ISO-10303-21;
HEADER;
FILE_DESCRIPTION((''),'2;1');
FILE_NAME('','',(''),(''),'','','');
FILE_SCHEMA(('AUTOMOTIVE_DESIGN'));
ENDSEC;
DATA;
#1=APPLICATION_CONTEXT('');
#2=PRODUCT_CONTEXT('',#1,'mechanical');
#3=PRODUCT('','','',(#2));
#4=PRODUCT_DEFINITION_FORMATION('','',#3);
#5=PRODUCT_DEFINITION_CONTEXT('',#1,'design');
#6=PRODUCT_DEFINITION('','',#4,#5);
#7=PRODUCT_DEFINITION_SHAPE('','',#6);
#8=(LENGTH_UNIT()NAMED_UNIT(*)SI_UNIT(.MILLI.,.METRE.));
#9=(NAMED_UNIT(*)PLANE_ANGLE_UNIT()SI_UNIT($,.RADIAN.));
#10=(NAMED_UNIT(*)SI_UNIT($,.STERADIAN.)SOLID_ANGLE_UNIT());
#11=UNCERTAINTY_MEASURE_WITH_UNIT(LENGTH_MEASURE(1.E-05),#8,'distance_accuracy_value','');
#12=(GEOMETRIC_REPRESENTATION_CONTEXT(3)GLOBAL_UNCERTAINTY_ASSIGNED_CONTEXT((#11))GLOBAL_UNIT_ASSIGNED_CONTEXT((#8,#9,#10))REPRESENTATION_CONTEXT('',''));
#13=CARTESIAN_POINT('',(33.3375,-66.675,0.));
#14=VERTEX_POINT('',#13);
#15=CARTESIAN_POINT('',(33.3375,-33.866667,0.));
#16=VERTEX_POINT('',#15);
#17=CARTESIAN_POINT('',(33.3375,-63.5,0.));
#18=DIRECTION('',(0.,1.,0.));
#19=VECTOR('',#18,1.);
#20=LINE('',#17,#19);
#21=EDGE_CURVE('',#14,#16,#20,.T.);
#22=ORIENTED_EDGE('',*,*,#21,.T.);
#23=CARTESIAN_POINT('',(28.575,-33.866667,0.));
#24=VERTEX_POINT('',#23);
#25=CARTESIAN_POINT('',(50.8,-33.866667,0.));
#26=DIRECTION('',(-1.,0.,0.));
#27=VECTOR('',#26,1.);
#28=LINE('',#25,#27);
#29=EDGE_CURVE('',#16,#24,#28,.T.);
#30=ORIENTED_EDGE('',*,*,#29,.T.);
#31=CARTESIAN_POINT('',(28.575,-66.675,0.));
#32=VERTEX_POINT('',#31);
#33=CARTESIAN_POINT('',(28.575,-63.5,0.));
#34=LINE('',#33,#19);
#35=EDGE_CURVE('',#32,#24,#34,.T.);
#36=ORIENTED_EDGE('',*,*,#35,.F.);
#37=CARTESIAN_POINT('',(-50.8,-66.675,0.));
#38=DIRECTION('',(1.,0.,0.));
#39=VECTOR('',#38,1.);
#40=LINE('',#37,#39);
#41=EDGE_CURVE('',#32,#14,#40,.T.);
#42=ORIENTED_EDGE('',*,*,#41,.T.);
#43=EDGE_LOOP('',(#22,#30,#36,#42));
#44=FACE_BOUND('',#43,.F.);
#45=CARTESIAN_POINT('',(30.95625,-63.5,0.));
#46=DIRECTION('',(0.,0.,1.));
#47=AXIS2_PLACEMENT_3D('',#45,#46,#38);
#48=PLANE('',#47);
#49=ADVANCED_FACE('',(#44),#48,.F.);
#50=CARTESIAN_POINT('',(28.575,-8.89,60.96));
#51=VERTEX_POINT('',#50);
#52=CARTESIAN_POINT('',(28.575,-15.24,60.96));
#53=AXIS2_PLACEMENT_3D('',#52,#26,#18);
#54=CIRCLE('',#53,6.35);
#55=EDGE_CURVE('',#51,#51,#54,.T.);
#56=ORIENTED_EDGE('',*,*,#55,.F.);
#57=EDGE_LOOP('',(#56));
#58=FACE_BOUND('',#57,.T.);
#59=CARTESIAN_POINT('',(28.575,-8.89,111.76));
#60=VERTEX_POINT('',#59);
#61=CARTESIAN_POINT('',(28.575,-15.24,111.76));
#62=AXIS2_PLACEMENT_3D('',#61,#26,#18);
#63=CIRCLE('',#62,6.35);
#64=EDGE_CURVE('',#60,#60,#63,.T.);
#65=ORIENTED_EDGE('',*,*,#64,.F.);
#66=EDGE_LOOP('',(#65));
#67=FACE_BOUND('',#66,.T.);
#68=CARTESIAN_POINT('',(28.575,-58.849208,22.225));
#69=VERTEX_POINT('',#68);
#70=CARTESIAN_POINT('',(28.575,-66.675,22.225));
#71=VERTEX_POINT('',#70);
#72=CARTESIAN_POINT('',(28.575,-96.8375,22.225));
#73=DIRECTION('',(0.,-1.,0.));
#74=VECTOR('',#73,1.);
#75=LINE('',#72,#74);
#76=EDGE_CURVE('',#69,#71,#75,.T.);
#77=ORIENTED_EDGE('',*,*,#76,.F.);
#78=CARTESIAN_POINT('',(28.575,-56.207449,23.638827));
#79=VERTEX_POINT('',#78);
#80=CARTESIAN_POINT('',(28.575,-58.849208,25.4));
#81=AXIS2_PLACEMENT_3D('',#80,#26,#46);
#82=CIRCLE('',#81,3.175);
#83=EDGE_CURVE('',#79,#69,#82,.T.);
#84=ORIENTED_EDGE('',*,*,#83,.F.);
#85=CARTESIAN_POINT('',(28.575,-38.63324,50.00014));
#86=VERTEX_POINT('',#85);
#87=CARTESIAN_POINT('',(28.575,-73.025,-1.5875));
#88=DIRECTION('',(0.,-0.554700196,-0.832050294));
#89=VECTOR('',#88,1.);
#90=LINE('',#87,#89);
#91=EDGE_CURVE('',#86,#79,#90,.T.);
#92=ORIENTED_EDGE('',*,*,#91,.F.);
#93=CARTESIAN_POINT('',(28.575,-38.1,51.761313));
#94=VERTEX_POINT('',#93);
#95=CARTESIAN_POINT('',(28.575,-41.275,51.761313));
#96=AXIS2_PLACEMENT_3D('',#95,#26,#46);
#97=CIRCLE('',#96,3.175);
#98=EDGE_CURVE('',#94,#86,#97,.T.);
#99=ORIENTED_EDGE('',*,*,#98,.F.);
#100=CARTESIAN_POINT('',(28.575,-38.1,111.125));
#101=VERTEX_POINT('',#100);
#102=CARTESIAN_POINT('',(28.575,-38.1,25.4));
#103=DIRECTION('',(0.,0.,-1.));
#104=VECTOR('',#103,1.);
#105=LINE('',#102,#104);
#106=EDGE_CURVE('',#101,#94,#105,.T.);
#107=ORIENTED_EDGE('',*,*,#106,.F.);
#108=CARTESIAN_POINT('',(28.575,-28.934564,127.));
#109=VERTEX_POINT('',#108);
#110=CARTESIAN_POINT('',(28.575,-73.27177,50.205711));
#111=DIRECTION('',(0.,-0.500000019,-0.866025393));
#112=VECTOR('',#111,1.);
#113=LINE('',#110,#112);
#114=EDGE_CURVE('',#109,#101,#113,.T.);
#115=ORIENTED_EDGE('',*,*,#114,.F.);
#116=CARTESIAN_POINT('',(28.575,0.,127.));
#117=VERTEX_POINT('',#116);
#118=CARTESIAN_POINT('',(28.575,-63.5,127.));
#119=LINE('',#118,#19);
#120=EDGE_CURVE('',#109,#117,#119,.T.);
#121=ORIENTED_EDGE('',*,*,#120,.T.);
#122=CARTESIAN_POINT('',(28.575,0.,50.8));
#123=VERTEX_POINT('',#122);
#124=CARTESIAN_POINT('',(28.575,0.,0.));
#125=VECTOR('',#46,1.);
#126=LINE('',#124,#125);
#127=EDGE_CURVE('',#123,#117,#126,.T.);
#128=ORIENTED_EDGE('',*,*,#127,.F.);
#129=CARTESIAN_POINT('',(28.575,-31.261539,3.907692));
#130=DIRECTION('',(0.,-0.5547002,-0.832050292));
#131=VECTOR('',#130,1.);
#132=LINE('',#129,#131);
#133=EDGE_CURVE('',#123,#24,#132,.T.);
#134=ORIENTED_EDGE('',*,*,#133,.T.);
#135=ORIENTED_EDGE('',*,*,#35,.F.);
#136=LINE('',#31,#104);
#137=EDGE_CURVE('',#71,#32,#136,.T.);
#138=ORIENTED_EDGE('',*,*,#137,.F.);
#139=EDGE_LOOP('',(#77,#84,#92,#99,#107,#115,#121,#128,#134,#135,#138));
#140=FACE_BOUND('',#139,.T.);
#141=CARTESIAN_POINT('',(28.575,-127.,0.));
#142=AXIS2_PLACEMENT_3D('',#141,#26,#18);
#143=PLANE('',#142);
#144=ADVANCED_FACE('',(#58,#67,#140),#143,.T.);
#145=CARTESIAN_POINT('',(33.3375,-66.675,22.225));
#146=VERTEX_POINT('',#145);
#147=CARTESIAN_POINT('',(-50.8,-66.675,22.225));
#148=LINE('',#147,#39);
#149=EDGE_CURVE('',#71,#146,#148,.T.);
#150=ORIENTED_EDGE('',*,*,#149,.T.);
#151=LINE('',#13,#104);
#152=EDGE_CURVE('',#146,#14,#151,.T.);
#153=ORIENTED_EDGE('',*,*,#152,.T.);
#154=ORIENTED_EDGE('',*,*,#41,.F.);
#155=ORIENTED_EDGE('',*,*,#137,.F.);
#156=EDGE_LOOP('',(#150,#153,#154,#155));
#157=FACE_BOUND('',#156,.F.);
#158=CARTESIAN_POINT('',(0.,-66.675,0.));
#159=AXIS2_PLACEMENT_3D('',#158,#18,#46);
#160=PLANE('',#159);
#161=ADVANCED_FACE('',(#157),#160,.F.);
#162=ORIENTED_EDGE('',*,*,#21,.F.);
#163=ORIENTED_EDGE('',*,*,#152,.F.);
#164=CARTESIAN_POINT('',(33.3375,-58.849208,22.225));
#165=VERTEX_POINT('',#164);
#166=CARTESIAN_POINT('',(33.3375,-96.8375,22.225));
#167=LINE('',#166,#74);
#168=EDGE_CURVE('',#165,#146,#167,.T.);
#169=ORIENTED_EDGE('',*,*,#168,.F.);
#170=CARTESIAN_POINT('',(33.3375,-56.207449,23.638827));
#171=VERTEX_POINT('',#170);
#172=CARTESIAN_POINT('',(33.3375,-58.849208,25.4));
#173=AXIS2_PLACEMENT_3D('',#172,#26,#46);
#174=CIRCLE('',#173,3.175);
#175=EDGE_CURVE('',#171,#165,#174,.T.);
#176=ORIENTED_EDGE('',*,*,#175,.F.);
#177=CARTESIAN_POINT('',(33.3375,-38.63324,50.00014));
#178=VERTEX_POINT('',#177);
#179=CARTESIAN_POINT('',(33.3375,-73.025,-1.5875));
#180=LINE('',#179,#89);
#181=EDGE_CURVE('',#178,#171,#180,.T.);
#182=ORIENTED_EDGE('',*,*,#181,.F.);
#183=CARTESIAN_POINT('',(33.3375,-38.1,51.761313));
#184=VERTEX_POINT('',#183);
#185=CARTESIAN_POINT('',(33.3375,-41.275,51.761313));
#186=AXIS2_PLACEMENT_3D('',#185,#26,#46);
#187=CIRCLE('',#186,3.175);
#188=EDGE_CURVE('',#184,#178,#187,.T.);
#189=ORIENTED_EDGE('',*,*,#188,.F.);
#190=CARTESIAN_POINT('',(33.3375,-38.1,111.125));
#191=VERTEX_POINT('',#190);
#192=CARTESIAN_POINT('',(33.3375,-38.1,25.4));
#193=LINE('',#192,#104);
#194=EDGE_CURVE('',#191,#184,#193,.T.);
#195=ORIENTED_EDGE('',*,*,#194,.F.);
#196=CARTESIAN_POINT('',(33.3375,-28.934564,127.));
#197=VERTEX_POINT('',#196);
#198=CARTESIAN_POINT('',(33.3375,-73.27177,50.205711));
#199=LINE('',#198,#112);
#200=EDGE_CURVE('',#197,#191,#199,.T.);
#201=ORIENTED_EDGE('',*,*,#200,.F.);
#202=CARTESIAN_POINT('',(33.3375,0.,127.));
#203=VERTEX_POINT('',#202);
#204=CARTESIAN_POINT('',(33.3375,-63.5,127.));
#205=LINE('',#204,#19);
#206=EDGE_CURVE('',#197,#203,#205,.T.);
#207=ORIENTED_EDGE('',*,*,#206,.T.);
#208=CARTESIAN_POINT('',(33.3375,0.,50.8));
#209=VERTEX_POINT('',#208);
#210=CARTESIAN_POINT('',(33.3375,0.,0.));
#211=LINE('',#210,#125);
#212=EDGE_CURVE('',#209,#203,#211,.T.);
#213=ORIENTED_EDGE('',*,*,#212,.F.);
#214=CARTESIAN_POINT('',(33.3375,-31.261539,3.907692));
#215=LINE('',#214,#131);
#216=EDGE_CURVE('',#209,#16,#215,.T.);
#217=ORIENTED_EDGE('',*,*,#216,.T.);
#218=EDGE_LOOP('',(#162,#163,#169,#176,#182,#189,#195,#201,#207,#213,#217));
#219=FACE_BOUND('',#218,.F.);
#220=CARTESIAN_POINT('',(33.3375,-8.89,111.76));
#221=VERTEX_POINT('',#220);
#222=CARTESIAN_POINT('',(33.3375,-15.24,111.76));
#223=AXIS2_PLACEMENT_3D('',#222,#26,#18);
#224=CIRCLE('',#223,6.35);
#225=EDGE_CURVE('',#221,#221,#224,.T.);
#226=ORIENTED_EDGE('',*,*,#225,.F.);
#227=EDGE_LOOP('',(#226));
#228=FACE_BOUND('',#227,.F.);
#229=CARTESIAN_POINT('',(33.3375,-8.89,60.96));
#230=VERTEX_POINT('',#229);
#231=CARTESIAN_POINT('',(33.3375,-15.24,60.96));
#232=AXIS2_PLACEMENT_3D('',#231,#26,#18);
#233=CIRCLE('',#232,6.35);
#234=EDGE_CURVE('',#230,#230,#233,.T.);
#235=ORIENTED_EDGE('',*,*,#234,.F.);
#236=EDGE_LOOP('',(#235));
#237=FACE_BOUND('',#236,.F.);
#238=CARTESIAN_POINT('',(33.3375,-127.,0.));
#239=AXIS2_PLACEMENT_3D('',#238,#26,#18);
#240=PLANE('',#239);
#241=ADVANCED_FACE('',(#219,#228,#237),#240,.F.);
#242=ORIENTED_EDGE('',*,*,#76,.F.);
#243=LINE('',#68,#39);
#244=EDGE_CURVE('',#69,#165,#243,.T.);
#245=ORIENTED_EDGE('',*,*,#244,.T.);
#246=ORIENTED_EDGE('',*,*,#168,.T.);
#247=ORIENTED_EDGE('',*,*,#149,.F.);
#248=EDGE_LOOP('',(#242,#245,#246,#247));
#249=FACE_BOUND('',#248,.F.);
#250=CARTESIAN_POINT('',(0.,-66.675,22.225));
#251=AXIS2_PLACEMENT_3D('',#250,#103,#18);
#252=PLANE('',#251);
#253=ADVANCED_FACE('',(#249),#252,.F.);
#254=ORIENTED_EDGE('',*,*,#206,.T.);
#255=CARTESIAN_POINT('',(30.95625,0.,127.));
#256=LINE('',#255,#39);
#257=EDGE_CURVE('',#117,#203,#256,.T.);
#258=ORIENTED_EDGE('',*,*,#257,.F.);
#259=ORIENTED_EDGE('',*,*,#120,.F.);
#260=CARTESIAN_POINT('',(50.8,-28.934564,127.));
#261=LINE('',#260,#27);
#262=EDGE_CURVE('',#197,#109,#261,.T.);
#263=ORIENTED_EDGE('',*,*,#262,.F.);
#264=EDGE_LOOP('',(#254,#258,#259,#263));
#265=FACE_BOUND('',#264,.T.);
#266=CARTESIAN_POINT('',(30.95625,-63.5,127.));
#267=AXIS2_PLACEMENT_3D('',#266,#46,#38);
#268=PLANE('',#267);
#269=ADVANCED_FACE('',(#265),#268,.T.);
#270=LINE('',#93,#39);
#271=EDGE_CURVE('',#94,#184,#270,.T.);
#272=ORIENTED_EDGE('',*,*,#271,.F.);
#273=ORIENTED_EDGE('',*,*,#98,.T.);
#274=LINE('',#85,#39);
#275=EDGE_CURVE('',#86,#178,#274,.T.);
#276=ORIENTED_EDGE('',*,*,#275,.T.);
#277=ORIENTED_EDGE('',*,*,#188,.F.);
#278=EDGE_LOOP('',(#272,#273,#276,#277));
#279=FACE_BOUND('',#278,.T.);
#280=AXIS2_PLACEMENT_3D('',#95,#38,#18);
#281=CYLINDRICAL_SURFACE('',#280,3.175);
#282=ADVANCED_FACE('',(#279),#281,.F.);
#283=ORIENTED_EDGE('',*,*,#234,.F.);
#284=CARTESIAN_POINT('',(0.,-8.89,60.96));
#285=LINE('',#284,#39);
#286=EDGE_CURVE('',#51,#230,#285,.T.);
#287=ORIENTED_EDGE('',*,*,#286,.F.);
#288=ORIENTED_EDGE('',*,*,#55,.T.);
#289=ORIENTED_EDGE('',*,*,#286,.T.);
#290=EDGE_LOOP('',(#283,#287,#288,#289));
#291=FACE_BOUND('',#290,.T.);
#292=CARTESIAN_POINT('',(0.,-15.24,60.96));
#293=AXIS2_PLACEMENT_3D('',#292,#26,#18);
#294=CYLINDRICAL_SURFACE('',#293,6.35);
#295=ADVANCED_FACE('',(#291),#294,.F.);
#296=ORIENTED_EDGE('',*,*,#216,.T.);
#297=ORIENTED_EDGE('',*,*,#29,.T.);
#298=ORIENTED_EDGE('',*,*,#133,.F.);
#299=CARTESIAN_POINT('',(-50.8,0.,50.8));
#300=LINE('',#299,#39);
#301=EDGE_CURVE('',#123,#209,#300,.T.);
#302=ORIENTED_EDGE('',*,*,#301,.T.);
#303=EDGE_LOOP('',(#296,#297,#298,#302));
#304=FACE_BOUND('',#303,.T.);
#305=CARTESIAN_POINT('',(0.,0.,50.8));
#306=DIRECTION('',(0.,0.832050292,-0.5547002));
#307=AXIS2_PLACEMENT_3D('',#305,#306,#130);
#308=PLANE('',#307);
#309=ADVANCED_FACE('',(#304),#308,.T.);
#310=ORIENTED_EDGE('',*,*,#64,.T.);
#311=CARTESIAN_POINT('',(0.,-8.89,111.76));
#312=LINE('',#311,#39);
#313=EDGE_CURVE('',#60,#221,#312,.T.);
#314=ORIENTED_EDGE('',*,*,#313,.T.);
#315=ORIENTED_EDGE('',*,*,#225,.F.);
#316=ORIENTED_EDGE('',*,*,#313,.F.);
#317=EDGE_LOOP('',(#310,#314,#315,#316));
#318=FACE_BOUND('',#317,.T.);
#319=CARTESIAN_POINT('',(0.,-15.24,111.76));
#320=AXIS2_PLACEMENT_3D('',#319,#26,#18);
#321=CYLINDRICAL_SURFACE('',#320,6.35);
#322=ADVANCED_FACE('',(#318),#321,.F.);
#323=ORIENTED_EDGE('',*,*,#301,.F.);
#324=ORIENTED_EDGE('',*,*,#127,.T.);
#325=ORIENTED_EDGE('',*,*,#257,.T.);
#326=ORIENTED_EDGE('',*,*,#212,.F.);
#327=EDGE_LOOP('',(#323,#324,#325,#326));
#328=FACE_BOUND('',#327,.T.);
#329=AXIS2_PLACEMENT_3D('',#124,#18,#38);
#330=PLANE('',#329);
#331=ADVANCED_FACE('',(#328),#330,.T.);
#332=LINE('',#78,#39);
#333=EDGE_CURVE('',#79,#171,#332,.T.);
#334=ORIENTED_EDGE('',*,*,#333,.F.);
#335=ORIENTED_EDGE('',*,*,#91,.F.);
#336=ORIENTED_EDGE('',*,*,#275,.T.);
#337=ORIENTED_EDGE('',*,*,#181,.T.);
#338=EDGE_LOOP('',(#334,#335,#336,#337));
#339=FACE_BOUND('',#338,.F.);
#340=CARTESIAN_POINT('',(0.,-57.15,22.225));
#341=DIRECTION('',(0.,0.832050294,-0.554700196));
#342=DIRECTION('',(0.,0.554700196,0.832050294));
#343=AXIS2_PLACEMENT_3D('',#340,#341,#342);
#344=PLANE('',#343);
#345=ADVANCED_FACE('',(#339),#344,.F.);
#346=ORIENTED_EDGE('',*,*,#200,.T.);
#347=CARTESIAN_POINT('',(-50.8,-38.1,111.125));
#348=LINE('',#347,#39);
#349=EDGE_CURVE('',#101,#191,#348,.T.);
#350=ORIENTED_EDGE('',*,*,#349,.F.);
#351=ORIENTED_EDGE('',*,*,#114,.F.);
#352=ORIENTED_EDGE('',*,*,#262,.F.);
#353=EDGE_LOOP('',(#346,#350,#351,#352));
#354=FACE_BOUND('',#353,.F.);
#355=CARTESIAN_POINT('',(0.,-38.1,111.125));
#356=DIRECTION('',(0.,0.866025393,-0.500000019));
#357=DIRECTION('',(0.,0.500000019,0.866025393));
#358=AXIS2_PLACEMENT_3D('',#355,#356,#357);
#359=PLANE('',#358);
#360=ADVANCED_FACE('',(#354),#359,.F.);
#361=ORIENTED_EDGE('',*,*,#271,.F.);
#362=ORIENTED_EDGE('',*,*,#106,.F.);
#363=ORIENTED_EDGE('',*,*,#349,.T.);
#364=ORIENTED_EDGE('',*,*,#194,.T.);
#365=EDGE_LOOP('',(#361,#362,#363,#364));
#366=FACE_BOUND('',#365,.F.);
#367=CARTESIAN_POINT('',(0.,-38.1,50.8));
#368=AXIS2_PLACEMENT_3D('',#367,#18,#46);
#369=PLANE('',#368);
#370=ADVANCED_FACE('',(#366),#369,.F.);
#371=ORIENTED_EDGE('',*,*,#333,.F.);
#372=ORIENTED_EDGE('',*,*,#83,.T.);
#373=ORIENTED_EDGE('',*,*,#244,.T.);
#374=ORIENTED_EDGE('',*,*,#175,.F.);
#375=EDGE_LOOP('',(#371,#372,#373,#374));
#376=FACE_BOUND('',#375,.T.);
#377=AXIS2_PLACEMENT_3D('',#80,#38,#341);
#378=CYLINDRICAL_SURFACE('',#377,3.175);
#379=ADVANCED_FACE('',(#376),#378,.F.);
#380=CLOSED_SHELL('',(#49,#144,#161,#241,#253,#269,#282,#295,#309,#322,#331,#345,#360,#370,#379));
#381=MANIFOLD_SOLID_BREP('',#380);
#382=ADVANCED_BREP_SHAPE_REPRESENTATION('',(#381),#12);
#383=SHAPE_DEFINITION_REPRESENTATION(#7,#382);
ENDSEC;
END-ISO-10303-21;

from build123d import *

# Parameters (mm, degrees)
F0_W     = 4.7625
F0_H     = 127
F1_DEPTH = 127
F2_R     = 6.35
F3_DEPTH = 50.8
F4_R     = 3.175


with BuildPart() as f1:
    # F0 (on Top) → F1 (new body)
    with BuildSketch(Plane.XY):
        with Locations((30.95625, -63.5)):
            Rectangle(F0_W, F0_H)
    extrude(amount=F1_DEPTH)

    # F2 (on Right) → F3 (cut, symmetric)
    with BuildSketch(Plane.YZ):
        with Locations((-15.24, 111.76)):
            Circle(F2_R)
        with Locations((-15.24, 60.96)):
            Circle(F2_R)
        Polygon((0, 0), (0, 50.8), (-33.866667, 0), align=None)
        Polygon((-127, 0), (-66.675, 0), (-66.675, 22.225), (-57.15, 22.225), (-38.1, 50.8), (-38.1, 111.125), (-28.934564, 127), (-127, 127), align=None)
    extrude(amount=F3_DEPTH, both=True, mode=Mode.SUBTRACT)

    # F4
    f4_edges = [f1.edges().sort_by_distance(p)[0] for p in [
        (30.95625, -57.15, 22.225),
        (30.95625, -38.1, 50.8),
    ]]
    fillet(f4_edges, radius=F4_R)


solid = f1.part
